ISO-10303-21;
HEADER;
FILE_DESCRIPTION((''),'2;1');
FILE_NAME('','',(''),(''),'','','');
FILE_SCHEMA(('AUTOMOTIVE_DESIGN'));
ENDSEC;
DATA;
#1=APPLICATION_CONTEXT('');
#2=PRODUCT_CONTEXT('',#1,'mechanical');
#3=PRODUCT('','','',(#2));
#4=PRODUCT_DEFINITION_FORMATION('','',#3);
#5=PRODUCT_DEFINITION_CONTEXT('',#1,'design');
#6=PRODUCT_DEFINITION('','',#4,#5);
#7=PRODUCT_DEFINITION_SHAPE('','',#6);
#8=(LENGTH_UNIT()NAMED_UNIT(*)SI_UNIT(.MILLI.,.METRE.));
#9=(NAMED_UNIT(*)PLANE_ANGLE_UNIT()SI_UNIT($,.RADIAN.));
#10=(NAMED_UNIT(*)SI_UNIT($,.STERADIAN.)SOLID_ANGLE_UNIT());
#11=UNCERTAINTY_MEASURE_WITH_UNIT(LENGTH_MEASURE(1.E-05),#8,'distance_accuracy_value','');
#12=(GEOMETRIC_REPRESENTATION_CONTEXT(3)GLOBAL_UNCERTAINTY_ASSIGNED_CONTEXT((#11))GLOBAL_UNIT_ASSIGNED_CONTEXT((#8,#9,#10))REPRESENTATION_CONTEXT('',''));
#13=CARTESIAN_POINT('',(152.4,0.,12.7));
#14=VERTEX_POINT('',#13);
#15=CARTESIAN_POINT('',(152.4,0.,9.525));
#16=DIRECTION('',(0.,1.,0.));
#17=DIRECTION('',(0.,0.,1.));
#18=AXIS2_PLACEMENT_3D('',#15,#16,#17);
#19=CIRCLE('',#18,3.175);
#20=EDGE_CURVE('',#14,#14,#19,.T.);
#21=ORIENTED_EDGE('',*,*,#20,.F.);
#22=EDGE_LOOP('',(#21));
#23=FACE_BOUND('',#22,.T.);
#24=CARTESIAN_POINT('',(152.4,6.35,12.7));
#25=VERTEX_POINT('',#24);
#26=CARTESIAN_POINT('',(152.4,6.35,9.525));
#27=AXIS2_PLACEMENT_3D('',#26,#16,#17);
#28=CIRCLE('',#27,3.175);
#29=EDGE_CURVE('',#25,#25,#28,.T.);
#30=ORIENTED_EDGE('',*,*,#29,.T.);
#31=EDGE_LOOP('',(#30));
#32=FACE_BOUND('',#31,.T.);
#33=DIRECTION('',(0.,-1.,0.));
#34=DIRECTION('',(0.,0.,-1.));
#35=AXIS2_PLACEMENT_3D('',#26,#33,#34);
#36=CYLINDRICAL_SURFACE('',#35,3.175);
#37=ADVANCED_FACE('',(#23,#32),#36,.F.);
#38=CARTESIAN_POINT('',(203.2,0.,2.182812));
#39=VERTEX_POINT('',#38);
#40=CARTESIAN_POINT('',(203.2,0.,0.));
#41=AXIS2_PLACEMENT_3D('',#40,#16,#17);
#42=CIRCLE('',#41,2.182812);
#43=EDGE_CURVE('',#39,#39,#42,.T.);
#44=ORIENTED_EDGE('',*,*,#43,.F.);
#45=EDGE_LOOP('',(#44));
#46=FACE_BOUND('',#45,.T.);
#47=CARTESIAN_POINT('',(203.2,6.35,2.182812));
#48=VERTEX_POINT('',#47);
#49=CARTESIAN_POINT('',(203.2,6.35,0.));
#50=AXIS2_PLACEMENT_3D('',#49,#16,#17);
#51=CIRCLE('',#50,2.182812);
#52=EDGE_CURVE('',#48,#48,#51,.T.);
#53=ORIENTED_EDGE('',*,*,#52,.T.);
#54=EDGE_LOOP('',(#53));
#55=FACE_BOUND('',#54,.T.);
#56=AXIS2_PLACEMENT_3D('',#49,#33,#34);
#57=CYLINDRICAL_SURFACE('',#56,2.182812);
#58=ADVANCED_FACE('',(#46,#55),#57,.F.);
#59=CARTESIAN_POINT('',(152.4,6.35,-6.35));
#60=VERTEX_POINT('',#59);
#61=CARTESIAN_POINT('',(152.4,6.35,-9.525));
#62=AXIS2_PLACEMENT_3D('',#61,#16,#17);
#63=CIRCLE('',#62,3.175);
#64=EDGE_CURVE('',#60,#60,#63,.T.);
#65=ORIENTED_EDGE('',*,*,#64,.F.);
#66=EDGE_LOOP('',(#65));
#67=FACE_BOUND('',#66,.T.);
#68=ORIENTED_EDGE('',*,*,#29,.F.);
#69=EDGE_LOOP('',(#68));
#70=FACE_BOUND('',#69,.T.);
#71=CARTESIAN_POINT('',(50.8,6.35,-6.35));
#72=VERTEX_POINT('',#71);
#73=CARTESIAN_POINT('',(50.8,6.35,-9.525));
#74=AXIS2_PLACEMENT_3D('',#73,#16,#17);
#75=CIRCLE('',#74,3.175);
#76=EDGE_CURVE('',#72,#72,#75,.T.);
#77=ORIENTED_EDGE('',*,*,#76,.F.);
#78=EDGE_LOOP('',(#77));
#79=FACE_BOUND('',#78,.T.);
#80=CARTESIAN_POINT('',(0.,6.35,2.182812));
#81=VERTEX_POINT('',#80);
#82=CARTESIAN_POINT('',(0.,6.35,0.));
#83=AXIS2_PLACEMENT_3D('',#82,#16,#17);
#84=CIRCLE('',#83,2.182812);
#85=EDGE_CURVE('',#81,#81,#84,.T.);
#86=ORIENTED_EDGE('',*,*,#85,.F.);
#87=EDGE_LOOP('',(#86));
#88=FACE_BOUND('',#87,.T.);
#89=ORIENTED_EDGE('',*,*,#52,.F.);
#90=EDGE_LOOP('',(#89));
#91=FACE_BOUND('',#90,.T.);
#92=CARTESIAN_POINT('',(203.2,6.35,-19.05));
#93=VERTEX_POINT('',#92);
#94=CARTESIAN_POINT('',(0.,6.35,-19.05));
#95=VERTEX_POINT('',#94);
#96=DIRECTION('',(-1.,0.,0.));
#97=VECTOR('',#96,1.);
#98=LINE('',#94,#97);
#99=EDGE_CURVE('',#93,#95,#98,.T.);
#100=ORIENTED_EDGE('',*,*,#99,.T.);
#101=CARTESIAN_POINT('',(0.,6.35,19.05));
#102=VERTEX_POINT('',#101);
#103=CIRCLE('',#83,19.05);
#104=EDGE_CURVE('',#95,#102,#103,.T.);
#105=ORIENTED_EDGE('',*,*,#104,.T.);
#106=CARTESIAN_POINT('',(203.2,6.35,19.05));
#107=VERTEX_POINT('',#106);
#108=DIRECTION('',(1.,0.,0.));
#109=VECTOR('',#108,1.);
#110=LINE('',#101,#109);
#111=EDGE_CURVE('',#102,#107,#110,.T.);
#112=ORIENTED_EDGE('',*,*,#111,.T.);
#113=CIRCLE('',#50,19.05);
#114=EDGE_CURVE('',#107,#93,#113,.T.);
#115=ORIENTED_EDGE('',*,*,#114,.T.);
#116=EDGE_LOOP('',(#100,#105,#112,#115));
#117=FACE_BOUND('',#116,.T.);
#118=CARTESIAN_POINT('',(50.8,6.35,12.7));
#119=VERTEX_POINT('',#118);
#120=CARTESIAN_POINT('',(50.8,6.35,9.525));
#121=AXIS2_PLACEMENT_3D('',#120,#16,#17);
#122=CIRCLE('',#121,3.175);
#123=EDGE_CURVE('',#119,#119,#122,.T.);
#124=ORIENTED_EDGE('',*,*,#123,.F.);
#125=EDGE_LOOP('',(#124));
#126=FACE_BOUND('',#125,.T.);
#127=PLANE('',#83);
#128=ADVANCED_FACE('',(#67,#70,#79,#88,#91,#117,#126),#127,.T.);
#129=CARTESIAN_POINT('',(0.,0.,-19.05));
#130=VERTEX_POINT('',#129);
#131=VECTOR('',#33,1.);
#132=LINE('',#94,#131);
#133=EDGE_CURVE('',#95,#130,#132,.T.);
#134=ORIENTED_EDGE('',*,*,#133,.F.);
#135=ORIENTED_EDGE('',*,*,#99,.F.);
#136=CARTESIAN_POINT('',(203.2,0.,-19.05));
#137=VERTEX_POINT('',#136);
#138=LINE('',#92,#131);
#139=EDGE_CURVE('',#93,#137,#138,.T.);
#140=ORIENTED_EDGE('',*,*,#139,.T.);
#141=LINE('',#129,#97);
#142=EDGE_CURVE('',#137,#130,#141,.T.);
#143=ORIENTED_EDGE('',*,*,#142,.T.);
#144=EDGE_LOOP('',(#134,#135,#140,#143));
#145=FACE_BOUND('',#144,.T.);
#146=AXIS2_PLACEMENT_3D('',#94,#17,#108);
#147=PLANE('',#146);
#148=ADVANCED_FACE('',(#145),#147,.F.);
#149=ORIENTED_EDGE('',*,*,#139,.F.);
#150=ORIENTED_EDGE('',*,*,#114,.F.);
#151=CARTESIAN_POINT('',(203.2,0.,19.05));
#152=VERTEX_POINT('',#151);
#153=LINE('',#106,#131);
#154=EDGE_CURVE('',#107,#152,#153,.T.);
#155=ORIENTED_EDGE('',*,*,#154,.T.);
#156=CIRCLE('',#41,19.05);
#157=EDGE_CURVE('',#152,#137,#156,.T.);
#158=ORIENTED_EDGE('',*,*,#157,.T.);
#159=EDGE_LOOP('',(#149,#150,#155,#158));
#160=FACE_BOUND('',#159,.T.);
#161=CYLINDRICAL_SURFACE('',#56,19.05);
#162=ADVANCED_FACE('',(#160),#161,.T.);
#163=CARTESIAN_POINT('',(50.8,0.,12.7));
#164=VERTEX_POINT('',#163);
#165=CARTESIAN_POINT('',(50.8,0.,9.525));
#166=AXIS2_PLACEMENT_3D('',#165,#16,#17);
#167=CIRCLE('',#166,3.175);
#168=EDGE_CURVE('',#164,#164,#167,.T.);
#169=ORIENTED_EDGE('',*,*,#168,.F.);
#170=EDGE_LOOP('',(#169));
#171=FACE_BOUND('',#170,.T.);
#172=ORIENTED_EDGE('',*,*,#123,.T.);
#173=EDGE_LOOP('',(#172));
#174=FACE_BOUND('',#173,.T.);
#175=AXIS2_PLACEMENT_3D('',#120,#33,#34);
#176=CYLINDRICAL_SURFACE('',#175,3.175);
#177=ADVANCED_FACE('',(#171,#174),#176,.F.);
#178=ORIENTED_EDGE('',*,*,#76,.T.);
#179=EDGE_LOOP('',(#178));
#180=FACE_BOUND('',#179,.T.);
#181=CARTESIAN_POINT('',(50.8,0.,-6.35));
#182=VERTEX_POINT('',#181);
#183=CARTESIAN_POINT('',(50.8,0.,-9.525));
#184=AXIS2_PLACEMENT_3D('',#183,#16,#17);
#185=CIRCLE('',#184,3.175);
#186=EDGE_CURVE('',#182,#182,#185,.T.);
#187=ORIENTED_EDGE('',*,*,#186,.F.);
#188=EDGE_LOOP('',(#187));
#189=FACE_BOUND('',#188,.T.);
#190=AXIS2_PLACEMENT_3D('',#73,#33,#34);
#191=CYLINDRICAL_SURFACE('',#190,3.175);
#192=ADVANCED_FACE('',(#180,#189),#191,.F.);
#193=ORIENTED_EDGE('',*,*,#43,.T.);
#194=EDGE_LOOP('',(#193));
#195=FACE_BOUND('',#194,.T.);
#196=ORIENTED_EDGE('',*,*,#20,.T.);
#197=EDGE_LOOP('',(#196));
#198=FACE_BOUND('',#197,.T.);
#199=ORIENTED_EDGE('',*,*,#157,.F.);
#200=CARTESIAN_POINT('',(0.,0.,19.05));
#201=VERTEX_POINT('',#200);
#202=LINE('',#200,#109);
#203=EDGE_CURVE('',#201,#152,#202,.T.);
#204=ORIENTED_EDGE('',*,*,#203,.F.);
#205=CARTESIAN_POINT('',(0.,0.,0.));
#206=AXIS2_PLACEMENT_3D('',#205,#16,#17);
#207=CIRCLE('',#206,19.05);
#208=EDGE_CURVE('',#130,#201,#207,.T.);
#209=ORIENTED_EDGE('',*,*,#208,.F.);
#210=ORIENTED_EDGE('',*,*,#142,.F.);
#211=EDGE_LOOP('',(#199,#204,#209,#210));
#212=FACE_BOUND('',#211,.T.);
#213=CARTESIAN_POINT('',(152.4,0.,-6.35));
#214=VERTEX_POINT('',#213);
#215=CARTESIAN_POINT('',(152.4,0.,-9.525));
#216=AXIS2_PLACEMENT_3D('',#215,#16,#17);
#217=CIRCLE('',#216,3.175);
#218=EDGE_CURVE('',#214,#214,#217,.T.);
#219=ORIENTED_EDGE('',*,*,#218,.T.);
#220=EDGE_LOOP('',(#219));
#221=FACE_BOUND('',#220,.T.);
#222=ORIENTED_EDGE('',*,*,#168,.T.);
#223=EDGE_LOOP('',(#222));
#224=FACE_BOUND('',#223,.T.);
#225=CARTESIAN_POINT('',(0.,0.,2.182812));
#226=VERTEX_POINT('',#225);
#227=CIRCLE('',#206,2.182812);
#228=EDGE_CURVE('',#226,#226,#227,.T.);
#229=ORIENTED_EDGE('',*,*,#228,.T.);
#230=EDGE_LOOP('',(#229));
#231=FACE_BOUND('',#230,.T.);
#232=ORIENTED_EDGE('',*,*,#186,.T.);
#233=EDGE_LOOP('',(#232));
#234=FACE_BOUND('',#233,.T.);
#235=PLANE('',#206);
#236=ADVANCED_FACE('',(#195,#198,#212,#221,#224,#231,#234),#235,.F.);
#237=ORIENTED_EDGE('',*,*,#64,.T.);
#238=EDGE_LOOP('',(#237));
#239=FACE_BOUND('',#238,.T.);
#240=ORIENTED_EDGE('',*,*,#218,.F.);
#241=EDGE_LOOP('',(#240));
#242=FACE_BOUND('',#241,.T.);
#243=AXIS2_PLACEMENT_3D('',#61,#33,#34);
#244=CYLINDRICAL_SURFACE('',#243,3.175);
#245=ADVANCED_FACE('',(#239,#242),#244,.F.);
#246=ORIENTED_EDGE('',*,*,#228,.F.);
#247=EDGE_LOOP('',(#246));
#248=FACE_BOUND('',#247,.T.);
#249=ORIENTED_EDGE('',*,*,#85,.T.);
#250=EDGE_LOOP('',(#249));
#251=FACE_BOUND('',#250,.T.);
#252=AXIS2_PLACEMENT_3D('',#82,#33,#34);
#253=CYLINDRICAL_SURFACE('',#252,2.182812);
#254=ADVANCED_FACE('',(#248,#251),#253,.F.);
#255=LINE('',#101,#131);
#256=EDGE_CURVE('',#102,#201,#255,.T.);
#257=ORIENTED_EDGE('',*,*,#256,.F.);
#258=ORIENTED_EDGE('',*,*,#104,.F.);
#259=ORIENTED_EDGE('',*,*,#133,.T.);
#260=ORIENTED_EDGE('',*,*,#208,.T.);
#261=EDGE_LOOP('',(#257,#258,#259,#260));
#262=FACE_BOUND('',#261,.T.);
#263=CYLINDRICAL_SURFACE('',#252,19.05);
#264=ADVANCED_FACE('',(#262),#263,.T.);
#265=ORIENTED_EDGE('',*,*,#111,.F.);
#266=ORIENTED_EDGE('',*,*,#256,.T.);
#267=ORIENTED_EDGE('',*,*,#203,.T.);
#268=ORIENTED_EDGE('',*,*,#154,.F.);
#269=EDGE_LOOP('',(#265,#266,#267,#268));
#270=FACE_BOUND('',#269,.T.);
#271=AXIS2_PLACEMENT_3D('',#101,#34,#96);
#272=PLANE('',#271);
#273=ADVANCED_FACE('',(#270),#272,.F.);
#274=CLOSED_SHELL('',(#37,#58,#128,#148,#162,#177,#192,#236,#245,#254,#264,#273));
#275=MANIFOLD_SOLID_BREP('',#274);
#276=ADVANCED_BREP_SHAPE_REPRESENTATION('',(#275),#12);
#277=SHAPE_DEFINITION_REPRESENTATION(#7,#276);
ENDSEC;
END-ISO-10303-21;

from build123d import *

# Parameters (mm, degrees)
SKETCH1_R           = 2.1828125
SKETCH1_R_2         = 3.175
BOSS_EXTRUDE1_DEPTH = 6.35


with BuildPart() as part:
    # Sketch1 → Boss-Extrude1 (new body)
    with BuildSketch(Plane(origin=(0, 0, 0), x_dir=(1, 0, 0), z_dir=(0, 1, 0))):
        with BuildLine():
            Line((0, 19.05), (203.2, 19.05))
            ThreePointArc((203.2, 19.05), (222.25, 0), (203.2, -19.05))
            Line((203.2, -19.05), (0, -19.05))
            ThreePointArc((0, -19.05), (-19.05, 0), (0, 19.05))
        make_face()
        with Locations(Location((0, 0, 0), (0, 0, 270))):
            Circle(SKETCH1_R, mode=Mode.SUBTRACT)
        with Locations(Location((203.2, 0, 0), (0, 0, 270))):
            Circle(SKETCH1_R, mode=Mode.SUBTRACT)
        with Locations(Location((50.8, 9.525, 0), (0, 0, 270))):
            Circle(SKETCH1_R_2, mode=Mode.SUBTRACT)
        with Locations(Location((152.4, 9.525, 0), (0, 0, 270))):
            Circle(SKETCH1_R_2, mode=Mode.SUBTRACT)
        with Locations(Location((152.4, -9.525, 0), (0, 0, 270))):
            Circle(SKETCH1_R_2, mode=Mode.SUBTRACT)
        with Locations(Location((50.8, -9.525, 0), (0, 0, 270))):
            Circle(SKETCH1_R_2, mode=Mode.SUBTRACT)
    extrude(amount=BOSS_EXTRUDE1_DEPTH)


solid = part.part
